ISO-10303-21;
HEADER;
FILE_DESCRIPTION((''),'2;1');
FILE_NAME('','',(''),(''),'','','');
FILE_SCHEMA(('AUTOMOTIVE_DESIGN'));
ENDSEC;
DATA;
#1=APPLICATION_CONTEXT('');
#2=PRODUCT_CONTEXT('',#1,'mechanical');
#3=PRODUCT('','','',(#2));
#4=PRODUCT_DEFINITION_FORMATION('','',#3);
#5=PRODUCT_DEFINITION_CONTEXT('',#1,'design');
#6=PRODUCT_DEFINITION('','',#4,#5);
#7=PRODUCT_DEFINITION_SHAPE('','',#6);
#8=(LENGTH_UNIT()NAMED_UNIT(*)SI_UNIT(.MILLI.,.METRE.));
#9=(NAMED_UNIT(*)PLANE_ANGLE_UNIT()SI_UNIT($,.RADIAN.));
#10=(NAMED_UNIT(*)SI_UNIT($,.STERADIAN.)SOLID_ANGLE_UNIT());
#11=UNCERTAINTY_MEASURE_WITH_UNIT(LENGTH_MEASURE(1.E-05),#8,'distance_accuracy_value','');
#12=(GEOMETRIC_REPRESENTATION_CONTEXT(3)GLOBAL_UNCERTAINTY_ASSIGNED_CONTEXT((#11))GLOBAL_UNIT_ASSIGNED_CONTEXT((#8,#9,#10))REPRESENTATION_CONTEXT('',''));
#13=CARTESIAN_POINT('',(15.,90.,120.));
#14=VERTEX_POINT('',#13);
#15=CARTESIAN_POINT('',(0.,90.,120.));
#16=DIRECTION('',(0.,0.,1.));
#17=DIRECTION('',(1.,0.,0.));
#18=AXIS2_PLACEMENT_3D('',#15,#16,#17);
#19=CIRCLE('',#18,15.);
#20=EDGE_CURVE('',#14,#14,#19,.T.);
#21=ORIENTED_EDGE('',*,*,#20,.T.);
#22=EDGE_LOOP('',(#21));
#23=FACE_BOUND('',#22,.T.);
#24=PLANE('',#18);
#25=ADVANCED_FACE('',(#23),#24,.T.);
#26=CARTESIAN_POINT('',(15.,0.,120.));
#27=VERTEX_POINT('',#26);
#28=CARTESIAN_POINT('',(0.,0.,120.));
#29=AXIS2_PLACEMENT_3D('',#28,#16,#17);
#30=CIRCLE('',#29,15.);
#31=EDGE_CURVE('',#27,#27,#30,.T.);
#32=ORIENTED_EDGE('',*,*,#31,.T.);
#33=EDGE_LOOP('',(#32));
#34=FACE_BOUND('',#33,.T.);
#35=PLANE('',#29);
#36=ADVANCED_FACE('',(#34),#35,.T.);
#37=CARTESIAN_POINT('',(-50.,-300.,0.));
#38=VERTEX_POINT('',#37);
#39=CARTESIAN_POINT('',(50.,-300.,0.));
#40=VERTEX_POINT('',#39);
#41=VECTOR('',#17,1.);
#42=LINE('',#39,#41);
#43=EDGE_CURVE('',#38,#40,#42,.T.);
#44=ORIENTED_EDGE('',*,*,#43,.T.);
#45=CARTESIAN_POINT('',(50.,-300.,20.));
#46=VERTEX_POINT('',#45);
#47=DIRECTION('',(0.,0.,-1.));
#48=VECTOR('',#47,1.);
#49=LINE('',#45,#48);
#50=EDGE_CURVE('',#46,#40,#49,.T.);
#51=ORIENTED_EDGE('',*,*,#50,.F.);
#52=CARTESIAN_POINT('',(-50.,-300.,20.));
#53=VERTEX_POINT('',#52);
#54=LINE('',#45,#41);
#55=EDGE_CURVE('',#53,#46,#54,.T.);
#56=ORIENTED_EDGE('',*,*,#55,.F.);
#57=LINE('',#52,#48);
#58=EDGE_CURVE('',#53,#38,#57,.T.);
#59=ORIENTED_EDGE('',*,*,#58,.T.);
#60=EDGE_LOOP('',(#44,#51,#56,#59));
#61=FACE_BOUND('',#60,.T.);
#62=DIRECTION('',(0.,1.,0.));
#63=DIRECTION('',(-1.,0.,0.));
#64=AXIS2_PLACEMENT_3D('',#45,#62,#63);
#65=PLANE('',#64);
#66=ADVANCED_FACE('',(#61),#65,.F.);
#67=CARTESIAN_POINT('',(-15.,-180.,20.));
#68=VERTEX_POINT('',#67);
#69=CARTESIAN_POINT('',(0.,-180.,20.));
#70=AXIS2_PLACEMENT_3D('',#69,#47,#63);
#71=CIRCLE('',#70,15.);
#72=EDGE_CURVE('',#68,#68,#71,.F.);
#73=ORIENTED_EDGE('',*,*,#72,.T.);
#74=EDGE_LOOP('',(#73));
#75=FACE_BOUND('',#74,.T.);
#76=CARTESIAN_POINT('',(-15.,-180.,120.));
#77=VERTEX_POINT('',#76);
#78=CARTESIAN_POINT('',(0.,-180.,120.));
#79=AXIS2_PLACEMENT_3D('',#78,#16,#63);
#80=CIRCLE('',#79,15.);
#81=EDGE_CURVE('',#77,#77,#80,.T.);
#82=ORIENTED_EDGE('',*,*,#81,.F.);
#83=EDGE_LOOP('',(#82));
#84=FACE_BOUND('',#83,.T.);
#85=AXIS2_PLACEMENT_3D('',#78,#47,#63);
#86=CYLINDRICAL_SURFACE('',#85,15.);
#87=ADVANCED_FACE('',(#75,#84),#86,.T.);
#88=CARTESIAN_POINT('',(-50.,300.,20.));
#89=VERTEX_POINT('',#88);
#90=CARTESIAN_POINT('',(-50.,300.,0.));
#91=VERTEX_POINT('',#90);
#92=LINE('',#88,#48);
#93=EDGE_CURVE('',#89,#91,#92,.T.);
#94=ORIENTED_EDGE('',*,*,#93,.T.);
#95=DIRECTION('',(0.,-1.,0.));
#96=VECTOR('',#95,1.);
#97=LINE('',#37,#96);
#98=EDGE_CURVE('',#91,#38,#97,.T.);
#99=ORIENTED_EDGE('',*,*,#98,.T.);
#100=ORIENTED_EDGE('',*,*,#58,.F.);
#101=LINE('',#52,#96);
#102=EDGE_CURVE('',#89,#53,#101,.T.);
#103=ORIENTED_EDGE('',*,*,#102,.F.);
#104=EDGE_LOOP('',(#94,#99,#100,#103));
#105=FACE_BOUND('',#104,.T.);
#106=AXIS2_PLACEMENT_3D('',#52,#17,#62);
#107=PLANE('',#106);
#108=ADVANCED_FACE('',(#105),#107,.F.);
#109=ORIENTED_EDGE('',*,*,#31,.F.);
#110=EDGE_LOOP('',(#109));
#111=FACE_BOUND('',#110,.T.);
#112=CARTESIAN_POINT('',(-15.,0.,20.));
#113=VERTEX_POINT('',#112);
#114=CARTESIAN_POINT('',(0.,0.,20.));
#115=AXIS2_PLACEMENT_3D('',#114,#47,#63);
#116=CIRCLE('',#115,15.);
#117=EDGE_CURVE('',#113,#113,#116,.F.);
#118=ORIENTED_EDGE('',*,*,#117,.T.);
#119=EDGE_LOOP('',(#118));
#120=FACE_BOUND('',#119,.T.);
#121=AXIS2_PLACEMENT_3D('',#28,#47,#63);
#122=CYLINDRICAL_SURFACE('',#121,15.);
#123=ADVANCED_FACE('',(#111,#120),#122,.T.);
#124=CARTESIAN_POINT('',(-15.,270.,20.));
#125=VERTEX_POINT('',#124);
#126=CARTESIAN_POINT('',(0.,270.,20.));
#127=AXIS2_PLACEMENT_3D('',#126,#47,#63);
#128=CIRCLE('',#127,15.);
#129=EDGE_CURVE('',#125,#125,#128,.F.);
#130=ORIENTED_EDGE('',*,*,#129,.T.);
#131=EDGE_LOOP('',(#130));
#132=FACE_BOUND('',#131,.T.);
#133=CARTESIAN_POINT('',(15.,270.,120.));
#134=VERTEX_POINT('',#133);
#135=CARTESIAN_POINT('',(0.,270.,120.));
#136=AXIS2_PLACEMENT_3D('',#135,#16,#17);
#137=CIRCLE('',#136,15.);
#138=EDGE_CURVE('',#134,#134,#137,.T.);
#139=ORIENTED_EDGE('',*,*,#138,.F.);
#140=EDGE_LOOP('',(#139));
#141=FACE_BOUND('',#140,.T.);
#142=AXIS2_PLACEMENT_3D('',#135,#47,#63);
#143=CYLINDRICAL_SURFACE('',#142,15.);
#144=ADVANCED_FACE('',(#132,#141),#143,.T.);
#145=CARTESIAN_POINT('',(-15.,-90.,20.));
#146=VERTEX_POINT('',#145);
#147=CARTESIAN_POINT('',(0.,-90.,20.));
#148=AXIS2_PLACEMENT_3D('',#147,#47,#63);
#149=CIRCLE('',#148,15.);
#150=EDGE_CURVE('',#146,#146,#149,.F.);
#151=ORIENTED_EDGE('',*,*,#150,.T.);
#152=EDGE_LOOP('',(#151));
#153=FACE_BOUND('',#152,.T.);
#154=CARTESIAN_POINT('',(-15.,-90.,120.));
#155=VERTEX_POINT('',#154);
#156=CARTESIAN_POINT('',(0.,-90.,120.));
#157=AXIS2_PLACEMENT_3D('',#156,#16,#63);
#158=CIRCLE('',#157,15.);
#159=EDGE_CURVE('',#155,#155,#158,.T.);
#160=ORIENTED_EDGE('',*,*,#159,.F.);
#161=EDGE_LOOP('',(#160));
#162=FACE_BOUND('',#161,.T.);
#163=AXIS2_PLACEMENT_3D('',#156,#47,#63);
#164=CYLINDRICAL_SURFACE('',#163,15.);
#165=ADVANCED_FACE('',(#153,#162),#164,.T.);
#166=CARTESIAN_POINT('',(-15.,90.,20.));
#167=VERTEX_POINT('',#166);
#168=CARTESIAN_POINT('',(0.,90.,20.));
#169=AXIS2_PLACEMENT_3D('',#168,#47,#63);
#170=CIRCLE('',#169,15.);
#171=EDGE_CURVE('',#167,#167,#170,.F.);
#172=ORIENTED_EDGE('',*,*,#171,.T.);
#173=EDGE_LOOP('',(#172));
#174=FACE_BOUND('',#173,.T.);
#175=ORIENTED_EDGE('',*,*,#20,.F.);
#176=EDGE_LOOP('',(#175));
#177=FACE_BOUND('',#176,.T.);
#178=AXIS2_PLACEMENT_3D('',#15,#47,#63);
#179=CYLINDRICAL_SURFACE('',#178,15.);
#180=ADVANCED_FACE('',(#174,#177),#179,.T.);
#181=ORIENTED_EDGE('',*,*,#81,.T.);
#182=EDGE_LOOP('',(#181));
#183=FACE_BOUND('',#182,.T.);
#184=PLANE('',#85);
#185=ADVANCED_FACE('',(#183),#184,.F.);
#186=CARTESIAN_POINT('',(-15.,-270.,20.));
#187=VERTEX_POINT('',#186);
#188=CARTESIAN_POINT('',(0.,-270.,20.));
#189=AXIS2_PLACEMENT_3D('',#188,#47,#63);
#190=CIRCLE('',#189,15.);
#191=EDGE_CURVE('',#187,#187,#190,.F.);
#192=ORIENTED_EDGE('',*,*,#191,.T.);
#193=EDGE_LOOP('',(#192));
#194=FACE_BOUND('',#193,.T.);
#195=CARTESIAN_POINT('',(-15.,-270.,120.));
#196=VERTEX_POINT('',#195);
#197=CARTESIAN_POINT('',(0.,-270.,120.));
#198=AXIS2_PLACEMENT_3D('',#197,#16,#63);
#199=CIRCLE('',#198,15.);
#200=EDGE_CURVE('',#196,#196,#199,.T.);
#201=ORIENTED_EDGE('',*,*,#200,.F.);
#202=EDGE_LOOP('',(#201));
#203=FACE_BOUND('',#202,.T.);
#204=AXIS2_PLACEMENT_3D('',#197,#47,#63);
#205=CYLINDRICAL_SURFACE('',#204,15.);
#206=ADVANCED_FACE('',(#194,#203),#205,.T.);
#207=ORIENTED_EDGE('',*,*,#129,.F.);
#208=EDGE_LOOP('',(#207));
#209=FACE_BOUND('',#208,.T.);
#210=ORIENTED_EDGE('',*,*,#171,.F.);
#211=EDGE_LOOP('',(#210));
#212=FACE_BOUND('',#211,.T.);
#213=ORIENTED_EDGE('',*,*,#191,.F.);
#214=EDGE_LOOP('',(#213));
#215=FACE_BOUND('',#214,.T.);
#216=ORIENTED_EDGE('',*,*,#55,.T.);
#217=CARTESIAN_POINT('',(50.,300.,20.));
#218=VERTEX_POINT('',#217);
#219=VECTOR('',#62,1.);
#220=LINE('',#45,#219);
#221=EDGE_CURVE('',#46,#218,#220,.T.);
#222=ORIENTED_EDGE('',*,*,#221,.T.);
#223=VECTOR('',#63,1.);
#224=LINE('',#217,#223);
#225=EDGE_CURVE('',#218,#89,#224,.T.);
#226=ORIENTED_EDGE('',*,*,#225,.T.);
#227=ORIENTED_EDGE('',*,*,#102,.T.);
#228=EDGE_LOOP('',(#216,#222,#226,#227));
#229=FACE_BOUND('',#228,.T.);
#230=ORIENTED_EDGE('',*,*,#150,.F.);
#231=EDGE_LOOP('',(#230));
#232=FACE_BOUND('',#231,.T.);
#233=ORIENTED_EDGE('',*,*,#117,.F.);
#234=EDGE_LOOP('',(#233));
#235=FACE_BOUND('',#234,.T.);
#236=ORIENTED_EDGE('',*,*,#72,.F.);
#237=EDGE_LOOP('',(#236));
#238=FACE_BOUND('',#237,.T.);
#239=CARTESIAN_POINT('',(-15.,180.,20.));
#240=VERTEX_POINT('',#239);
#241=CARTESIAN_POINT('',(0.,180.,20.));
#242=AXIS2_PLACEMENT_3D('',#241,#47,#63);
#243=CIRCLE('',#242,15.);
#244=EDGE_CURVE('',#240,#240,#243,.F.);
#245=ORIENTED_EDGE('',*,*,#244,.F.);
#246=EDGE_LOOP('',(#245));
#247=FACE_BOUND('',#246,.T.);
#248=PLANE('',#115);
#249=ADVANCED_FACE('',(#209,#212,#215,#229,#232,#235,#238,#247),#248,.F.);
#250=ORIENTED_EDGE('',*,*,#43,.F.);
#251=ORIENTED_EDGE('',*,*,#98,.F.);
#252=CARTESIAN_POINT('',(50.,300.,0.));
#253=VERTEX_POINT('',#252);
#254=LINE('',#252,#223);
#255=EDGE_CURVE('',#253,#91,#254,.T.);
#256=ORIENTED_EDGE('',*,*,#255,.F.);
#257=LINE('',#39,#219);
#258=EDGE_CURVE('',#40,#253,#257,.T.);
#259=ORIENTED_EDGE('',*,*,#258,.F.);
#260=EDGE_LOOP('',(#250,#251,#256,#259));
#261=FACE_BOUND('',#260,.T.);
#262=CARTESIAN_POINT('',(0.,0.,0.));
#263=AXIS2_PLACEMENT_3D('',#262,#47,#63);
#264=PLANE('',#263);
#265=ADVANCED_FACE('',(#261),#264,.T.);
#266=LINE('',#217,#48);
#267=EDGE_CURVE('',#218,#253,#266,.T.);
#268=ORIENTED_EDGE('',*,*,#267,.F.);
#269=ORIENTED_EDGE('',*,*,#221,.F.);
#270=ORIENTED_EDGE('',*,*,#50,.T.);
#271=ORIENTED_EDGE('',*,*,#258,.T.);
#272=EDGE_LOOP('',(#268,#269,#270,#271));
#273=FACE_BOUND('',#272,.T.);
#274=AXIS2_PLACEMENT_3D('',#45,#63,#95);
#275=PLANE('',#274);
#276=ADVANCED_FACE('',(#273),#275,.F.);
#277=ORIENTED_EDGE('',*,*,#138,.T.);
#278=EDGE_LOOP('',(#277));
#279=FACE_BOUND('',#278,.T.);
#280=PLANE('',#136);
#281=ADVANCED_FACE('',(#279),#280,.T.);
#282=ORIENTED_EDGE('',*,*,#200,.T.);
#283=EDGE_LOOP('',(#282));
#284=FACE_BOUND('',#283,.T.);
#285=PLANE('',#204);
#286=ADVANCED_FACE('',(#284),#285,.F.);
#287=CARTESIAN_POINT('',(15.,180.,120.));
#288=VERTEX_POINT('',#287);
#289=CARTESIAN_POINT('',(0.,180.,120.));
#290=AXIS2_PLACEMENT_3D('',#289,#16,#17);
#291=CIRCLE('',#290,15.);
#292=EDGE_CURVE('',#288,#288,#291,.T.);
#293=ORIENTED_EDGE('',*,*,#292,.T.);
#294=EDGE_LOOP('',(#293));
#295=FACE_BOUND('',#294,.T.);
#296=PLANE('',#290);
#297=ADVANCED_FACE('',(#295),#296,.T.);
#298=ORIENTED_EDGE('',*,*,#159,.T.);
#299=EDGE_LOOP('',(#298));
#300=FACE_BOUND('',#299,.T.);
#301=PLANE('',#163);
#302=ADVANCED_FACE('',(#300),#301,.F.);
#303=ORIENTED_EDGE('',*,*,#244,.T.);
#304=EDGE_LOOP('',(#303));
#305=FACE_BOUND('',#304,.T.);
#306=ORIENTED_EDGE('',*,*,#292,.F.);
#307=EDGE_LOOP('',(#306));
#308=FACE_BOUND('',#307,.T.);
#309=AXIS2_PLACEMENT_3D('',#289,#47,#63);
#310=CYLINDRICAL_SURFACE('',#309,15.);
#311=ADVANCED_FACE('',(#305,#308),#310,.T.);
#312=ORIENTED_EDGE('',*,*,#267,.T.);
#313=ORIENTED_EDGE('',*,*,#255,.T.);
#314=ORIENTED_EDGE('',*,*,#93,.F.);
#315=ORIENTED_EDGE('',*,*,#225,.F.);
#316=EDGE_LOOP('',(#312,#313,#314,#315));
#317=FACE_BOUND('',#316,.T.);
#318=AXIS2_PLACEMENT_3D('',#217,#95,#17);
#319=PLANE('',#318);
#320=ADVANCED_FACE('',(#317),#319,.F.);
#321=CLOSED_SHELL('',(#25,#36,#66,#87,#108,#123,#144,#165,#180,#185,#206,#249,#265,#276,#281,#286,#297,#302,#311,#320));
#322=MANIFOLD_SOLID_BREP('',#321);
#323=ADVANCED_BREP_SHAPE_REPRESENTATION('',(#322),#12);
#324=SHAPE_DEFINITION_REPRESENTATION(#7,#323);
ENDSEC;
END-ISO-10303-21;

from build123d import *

# Parameters (mm, degrees)
SKETCH_1_W      = 100
SKETCH_1_H      = 600
EXTRUDE_1_DEPTH = 20
SKETCH_2_R      = 15
EXTRUDE_2_DEPTH = 100


with BuildPart() as part:
    # 草图1 → 凸台-拉伸1 (new body)
    with BuildSketch(Plane.XY):
        Rectangle(SKETCH_1_W, SKETCH_1_H)
    extrude(amount=EXTRUDE_1_DEPTH)

    # 草图2 → 凸台-拉伸2 (add)
    with BuildSketch(Plane.XY.offset(20)):
        Circle(SKETCH_2_R)
        with Locations((0, 90)):
            Circle(SKETCH_2_R)
        with Locations((0, 180)):
            Circle(SKETCH_2_R)
        with Locations((0, 270)):
            Circle(SKETCH_2_R)
        with Locations((0, -90)):
            Circle(SKETCH_2_R)
        with Locations((0, -180)):
            Circle(SKETCH_2_R)
        with Locations((0, -270)):
            Circle(SKETCH_2_R)
    extrude(amount=EXTRUDE_2_DEPTH)


solid = part.part
